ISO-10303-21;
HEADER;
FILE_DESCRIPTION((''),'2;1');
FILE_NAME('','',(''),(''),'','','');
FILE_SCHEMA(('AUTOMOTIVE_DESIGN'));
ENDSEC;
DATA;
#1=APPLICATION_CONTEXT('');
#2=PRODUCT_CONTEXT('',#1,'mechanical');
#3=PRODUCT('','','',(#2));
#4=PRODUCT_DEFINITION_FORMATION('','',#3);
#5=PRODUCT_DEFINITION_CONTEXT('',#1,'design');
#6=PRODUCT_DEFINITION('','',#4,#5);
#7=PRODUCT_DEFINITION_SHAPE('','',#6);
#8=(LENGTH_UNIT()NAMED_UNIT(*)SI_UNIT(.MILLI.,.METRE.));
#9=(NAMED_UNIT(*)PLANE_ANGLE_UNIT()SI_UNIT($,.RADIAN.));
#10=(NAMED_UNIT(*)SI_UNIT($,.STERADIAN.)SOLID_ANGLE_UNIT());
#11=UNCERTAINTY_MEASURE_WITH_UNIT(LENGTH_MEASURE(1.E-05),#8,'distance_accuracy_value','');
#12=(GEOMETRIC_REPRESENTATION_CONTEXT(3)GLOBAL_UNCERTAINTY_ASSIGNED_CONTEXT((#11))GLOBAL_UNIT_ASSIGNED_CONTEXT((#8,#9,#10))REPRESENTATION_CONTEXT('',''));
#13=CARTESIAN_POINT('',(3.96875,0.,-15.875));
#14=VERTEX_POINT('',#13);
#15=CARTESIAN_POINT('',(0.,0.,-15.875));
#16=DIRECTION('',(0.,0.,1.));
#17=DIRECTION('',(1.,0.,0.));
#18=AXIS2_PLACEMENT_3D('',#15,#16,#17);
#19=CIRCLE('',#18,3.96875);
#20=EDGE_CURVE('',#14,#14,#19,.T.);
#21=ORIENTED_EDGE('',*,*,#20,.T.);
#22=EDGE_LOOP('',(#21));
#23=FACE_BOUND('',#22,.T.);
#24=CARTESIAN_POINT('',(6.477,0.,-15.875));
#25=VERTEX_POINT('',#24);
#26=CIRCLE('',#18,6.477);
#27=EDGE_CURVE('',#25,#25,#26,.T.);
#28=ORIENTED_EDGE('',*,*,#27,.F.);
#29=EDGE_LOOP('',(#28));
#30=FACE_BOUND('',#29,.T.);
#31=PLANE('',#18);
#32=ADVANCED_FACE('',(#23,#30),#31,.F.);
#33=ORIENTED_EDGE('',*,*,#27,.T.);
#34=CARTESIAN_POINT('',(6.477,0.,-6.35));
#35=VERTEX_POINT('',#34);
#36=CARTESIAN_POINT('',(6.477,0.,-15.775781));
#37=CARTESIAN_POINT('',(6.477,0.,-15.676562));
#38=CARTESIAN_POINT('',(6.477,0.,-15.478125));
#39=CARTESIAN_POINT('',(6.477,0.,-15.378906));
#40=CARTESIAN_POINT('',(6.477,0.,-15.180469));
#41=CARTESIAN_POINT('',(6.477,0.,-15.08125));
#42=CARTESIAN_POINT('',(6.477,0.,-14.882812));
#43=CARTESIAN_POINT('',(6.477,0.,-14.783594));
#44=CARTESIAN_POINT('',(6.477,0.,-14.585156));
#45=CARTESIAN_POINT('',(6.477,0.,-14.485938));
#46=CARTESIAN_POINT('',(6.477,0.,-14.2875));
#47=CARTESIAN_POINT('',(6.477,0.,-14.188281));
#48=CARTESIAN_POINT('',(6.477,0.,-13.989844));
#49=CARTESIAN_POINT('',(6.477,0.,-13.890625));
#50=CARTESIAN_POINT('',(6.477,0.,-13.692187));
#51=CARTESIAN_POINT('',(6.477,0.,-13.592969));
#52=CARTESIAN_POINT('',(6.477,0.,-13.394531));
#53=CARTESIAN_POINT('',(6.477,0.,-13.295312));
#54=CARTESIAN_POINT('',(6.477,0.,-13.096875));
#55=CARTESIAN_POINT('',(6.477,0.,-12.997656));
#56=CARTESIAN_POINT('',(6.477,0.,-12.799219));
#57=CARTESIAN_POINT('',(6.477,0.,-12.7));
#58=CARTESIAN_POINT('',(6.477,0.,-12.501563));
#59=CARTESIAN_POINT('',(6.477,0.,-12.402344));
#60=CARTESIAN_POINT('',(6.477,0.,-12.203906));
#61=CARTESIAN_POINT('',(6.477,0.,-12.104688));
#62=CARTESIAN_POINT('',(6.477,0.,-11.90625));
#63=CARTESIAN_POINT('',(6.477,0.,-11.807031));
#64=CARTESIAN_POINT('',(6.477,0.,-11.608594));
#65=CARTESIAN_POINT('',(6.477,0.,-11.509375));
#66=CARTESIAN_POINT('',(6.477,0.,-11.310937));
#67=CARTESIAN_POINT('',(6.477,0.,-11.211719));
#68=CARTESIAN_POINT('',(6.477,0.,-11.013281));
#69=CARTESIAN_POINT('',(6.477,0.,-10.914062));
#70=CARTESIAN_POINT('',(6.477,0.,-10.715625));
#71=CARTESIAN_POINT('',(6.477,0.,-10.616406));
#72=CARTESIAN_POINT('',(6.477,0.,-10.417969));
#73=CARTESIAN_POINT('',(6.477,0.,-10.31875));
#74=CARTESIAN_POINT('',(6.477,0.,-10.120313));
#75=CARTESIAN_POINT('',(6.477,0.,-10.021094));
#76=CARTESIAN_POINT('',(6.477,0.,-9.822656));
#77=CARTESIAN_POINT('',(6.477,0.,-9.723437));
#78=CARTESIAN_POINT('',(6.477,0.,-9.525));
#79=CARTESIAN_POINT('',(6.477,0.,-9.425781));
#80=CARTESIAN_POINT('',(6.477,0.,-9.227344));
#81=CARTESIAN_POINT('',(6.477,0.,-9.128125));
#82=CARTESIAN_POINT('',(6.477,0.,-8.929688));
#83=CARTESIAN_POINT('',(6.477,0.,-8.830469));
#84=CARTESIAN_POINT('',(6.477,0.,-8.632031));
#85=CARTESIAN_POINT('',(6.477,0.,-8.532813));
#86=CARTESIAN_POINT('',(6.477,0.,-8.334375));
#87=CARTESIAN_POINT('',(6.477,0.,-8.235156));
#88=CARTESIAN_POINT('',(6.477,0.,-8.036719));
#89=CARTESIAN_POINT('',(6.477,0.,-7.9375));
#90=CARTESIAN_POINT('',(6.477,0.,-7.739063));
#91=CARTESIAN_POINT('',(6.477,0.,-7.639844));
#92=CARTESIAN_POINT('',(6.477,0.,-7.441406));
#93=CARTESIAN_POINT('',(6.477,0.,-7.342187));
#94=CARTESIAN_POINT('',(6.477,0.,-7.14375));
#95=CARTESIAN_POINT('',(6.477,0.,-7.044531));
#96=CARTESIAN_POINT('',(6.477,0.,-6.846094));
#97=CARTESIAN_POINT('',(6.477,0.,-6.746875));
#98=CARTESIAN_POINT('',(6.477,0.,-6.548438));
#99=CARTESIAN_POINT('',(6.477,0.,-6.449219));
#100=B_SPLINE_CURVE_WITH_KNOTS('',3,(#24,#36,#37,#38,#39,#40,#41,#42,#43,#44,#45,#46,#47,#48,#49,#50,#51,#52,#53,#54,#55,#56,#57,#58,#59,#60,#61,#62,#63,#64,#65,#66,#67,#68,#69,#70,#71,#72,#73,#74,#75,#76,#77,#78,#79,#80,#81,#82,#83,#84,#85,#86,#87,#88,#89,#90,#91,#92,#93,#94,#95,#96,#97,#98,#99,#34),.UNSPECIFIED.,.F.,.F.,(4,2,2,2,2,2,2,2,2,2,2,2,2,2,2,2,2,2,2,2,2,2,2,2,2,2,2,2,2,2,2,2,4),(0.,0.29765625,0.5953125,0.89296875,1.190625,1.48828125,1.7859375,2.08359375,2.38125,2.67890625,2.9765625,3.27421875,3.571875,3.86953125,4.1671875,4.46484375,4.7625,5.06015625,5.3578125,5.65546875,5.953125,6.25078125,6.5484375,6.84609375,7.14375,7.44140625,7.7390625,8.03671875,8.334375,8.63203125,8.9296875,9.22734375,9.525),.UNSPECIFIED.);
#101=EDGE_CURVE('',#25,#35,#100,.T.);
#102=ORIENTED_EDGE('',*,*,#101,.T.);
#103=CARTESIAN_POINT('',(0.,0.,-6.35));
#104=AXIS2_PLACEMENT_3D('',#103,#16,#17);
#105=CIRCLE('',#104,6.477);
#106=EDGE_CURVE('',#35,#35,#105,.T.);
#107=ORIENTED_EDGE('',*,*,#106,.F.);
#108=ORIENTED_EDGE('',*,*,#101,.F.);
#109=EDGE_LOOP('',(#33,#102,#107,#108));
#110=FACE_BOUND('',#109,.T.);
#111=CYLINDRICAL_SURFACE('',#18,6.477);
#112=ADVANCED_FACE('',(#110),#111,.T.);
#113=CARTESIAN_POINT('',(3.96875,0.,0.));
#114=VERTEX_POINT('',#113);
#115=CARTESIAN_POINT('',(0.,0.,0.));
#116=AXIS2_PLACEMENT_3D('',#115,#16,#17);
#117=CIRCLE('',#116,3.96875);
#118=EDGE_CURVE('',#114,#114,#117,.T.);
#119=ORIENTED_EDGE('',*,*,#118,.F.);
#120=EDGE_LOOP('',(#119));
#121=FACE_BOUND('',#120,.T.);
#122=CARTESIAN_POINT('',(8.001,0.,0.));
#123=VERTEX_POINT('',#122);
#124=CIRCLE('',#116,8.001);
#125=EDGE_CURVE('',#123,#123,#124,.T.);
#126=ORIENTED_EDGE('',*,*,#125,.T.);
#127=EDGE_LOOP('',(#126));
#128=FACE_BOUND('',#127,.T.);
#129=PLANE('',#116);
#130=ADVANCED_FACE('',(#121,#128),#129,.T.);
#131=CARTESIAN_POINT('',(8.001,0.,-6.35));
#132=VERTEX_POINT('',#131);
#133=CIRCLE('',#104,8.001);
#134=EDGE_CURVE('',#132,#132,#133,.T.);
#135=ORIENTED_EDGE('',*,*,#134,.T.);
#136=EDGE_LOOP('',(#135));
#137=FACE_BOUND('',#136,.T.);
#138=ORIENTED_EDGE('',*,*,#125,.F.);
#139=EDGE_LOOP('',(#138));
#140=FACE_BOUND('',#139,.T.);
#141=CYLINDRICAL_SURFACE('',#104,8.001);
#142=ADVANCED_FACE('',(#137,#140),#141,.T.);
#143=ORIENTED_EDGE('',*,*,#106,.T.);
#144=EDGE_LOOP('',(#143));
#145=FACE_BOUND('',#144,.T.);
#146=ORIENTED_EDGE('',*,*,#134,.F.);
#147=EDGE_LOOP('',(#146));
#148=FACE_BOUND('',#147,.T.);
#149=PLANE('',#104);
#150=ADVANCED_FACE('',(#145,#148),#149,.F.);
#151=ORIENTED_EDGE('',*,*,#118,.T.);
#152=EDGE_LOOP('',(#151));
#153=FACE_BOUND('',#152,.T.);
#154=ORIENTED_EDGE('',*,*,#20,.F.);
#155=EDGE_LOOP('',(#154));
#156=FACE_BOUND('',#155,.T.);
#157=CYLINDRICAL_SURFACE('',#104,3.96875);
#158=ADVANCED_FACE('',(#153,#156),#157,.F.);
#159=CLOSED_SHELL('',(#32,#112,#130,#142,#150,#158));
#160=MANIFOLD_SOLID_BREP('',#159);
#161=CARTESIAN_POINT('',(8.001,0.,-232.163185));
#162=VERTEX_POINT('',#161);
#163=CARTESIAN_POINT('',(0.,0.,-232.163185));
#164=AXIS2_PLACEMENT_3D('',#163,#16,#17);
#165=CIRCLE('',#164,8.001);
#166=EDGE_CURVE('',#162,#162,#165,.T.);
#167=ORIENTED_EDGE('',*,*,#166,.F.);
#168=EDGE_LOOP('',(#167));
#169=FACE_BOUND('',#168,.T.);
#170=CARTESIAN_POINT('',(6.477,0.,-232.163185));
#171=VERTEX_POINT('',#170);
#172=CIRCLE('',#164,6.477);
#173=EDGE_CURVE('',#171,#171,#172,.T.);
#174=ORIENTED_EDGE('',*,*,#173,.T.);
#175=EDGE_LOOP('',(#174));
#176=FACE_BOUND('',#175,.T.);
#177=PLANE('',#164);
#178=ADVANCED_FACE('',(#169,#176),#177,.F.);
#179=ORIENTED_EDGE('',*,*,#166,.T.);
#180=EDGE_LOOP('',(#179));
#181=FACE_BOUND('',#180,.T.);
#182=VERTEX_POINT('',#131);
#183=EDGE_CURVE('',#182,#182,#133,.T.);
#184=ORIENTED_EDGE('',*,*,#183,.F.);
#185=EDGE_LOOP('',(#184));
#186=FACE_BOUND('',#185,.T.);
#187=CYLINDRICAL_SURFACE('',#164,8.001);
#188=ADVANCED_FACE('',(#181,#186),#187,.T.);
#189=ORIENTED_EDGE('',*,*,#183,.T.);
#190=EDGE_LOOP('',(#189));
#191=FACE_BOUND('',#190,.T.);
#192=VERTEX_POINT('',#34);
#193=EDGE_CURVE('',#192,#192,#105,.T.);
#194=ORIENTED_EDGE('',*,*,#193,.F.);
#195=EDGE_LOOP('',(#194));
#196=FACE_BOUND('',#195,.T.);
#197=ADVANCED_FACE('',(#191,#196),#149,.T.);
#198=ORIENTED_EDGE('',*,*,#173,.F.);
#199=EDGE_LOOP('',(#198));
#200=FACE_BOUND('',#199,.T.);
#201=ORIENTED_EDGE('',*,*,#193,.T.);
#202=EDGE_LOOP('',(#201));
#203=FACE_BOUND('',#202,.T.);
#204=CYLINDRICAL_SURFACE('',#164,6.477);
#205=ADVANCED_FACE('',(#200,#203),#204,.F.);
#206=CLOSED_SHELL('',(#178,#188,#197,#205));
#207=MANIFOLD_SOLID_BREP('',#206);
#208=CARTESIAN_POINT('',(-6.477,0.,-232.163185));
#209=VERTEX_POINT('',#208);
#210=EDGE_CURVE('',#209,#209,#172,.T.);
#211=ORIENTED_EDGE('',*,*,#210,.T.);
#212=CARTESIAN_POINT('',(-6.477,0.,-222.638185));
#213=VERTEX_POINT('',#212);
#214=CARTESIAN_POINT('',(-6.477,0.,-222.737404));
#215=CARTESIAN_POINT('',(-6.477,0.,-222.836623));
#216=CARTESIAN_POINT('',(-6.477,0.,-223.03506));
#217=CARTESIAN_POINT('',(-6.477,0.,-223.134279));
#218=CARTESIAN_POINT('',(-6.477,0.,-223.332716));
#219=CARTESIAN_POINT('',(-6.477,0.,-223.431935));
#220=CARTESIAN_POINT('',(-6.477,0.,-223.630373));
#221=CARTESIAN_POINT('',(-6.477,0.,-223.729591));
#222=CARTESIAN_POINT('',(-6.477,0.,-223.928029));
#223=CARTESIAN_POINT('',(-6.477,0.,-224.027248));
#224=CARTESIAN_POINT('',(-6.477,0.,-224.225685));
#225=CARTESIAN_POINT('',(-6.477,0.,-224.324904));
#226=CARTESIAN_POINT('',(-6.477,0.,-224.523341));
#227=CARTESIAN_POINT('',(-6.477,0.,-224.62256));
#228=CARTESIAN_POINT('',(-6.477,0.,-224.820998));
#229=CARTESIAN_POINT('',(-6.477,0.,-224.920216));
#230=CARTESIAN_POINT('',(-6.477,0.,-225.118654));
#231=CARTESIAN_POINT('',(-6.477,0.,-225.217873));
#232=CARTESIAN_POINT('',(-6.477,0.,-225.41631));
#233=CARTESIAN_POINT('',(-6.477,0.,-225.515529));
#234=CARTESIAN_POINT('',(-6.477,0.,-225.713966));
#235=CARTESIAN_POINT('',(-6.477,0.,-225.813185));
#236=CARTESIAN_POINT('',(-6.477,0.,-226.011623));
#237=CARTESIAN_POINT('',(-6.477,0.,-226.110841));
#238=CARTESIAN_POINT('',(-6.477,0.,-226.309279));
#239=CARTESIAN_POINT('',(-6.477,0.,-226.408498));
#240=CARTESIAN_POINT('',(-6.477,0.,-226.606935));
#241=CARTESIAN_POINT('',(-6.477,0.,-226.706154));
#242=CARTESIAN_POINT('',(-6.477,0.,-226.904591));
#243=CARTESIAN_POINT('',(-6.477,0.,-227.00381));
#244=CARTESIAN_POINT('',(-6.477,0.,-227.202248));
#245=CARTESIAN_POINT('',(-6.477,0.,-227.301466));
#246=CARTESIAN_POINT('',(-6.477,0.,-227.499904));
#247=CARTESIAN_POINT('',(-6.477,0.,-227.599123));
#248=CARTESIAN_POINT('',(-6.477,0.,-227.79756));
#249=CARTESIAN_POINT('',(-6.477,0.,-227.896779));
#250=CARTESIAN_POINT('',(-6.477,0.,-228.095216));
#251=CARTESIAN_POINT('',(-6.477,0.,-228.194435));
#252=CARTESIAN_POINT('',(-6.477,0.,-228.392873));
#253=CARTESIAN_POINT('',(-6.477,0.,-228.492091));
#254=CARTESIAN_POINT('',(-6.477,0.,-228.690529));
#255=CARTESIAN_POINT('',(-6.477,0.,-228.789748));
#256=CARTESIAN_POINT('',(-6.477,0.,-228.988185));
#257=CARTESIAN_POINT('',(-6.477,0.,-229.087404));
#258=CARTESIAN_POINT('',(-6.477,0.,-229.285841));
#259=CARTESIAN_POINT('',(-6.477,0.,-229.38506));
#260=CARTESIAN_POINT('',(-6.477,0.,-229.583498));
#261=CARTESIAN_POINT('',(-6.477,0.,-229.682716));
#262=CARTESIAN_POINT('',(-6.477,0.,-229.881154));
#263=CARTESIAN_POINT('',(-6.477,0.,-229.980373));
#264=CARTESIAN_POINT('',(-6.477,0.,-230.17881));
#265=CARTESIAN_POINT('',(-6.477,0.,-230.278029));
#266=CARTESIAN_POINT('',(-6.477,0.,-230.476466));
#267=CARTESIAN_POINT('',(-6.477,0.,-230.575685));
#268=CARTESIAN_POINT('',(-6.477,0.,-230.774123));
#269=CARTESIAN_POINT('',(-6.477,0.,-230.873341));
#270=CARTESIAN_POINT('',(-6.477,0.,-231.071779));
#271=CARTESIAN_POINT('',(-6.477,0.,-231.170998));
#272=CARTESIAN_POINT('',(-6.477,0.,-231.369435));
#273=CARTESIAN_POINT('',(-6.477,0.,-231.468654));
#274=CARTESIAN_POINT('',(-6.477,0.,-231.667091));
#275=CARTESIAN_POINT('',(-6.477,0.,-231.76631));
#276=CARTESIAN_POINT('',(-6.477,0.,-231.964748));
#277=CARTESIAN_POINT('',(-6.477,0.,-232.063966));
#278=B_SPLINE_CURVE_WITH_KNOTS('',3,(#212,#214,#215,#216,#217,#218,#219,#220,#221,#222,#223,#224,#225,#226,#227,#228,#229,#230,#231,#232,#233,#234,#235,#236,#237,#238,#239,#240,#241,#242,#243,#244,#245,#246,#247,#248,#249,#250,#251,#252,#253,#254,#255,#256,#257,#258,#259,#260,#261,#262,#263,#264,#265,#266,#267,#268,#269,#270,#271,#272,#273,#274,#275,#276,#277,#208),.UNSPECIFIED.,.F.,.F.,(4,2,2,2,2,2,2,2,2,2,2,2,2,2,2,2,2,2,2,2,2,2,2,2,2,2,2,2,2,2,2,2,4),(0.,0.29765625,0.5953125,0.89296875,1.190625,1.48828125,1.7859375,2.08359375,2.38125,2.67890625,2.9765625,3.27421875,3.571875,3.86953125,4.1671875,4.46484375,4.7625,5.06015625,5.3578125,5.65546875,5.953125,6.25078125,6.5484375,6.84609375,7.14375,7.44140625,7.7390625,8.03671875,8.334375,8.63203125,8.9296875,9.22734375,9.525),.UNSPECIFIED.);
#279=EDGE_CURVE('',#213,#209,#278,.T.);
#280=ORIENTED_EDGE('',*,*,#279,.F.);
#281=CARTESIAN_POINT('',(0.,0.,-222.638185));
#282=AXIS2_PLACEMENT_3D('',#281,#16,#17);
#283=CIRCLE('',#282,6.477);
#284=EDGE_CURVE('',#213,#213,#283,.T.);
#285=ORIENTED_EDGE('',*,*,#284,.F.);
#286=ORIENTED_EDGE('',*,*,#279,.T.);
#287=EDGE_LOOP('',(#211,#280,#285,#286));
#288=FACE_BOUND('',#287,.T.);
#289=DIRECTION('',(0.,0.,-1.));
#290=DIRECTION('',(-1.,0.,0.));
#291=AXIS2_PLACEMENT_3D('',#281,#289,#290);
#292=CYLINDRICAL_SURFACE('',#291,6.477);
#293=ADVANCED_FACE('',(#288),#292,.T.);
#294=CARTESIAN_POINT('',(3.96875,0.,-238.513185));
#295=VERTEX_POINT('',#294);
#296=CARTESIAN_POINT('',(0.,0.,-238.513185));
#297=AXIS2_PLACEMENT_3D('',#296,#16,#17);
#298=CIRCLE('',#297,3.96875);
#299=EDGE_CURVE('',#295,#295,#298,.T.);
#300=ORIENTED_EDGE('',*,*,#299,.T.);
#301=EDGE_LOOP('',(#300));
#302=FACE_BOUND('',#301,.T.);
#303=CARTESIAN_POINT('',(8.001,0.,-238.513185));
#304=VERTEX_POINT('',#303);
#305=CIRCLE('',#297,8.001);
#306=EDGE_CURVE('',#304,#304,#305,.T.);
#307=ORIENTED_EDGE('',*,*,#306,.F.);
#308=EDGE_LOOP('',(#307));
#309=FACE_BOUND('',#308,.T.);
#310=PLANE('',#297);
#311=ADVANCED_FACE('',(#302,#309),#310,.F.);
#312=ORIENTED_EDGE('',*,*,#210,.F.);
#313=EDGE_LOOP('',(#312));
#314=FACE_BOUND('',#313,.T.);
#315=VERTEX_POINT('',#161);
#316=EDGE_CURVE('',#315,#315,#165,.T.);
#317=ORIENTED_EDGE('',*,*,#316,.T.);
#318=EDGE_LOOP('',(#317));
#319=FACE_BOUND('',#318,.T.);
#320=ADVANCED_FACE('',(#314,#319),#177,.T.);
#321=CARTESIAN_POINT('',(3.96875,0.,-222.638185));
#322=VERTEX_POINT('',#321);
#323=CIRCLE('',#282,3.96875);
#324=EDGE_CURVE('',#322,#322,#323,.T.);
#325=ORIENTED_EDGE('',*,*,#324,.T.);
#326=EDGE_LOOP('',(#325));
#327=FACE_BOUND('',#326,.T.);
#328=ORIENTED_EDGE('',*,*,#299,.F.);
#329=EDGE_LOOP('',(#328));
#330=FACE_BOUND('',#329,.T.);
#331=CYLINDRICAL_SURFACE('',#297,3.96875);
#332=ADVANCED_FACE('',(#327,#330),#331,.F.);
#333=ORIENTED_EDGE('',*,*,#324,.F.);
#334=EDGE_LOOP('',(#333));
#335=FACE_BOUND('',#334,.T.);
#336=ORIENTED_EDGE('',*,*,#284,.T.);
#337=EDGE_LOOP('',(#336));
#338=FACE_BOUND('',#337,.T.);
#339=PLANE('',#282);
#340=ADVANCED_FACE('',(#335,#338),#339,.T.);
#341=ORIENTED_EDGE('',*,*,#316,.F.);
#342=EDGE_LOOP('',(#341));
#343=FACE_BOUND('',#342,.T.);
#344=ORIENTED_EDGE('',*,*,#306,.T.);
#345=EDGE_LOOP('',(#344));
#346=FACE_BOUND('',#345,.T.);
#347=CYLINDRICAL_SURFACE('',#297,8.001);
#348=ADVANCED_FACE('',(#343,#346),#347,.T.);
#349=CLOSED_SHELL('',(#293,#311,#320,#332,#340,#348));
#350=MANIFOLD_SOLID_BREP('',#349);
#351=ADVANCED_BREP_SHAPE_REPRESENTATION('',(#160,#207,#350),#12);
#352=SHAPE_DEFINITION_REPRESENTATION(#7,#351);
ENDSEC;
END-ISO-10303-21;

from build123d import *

# Parameters (mm, degrees)
SKETCH1_R                 = 8.001
SKETCH1_R_2               = 6.477
SKETCH1_R_3               = 3.96875
THREADED_INSERT_1_1_DEPTH = 6.35
THREADED_START            = -6.35
SKETCH1_3_R               = 6.477
SKETCH1_3_R_2             = 3.96875
THREADED_INSERT_1_2_DEPTH = 9.525
TUBE_START                = -6.35
SKETCH1_4_R               = 8.001
SKETCH1_4_R_2             = 6.477
TUBE_EXTRUDE_DEPTH        = 225.813185
THREADED_START_2          = -232.163185
SKETCH1_6_R               = 6.477
SKETCH1_6_R_2             = 3.96875
THREADED_INSERT_2_1_DEPTH = 9.525
SKETCH1_9_R               = 8.001
SKETCH1_9_R_2             = 6.477
SKETCH1_9_R_3             = 3.96875
THREADED_INSERT_2_2_DEPTH = 6.35


with BuildPart() as part:
    # Sketch1 → Threaded insert 1-1 (new body)
    # profile 1 of 2: a face of its own
    with BuildSketch(Plane.XY):
        Circle(SKETCH1_R)
        Circle(SKETCH1_R_2, mode=Mode.SUBTRACT)
    # profile 2 of 2: a face of its own
    with BuildSketch(Plane.XY):
        Circle(SKETCH1_R_2)
        Circle(SKETCH1_R_3, mode=Mode.SUBTRACT)
    extrude(amount=-THREADED_INSERT_1_1_DEPTH)

    # Sketch1<3> → Threaded insert 1-2 (add)
    with BuildSketch(Plane.XY.offset(THREADED_START)):
        Circle(SKETCH1_3_R)
        Circle(SKETCH1_3_R_2, mode=Mode.SUBTRACT)
    extrude(amount=-THREADED_INSERT_1_2_DEPTH)


with BuildPart() as body_2:
    # Sketch1<4> → Tube extrude (new body)
    with BuildSketch(Plane.XY.offset(TUBE_START)):
        Circle(SKETCH1_4_R)
        Circle(SKETCH1_4_R_2, mode=Mode.SUBTRACT)
    extrude(amount=-TUBE_EXTRUDE_DEPTH)


with BuildPart() as body_3:
    # Sketch1<6> → Threaded insert 2-1 (new body)
    with BuildSketch(Plane.XY.offset(THREADED_START_2)):
        Circle(SKETCH1_6_R)
        Circle(SKETCH1_6_R_2, mode=Mode.SUBTRACT)
    extrude(amount=THREADED_INSERT_2_1_DEPTH)


with BuildPart() as body_4:
    # Sketch1<9> → Threaded insert 2-2 (new body)
    # profile 1 of 2: a face of its own
    with BuildSketch(Plane.XY.offset(THREADED_START_2)):
        Circle(SKETCH1_9_R)
        Circle(SKETCH1_9_R_2, mode=Mode.SUBTRACT)
    # profile 2 of 2: a face of its own
    with BuildSketch(Plane.XY.offset(THREADED_START_2)):
        Circle(SKETCH1_9_R_2)
        Circle(SKETCH1_9_R_3, mode=Mode.SUBTRACT)
    extrude(amount=-THREADED_INSERT_2_2_DEPTH)

    # Combine1: union body 3
    add(body_3.part)


solid = Compound([part.part, body_2.part, body_4.part])
